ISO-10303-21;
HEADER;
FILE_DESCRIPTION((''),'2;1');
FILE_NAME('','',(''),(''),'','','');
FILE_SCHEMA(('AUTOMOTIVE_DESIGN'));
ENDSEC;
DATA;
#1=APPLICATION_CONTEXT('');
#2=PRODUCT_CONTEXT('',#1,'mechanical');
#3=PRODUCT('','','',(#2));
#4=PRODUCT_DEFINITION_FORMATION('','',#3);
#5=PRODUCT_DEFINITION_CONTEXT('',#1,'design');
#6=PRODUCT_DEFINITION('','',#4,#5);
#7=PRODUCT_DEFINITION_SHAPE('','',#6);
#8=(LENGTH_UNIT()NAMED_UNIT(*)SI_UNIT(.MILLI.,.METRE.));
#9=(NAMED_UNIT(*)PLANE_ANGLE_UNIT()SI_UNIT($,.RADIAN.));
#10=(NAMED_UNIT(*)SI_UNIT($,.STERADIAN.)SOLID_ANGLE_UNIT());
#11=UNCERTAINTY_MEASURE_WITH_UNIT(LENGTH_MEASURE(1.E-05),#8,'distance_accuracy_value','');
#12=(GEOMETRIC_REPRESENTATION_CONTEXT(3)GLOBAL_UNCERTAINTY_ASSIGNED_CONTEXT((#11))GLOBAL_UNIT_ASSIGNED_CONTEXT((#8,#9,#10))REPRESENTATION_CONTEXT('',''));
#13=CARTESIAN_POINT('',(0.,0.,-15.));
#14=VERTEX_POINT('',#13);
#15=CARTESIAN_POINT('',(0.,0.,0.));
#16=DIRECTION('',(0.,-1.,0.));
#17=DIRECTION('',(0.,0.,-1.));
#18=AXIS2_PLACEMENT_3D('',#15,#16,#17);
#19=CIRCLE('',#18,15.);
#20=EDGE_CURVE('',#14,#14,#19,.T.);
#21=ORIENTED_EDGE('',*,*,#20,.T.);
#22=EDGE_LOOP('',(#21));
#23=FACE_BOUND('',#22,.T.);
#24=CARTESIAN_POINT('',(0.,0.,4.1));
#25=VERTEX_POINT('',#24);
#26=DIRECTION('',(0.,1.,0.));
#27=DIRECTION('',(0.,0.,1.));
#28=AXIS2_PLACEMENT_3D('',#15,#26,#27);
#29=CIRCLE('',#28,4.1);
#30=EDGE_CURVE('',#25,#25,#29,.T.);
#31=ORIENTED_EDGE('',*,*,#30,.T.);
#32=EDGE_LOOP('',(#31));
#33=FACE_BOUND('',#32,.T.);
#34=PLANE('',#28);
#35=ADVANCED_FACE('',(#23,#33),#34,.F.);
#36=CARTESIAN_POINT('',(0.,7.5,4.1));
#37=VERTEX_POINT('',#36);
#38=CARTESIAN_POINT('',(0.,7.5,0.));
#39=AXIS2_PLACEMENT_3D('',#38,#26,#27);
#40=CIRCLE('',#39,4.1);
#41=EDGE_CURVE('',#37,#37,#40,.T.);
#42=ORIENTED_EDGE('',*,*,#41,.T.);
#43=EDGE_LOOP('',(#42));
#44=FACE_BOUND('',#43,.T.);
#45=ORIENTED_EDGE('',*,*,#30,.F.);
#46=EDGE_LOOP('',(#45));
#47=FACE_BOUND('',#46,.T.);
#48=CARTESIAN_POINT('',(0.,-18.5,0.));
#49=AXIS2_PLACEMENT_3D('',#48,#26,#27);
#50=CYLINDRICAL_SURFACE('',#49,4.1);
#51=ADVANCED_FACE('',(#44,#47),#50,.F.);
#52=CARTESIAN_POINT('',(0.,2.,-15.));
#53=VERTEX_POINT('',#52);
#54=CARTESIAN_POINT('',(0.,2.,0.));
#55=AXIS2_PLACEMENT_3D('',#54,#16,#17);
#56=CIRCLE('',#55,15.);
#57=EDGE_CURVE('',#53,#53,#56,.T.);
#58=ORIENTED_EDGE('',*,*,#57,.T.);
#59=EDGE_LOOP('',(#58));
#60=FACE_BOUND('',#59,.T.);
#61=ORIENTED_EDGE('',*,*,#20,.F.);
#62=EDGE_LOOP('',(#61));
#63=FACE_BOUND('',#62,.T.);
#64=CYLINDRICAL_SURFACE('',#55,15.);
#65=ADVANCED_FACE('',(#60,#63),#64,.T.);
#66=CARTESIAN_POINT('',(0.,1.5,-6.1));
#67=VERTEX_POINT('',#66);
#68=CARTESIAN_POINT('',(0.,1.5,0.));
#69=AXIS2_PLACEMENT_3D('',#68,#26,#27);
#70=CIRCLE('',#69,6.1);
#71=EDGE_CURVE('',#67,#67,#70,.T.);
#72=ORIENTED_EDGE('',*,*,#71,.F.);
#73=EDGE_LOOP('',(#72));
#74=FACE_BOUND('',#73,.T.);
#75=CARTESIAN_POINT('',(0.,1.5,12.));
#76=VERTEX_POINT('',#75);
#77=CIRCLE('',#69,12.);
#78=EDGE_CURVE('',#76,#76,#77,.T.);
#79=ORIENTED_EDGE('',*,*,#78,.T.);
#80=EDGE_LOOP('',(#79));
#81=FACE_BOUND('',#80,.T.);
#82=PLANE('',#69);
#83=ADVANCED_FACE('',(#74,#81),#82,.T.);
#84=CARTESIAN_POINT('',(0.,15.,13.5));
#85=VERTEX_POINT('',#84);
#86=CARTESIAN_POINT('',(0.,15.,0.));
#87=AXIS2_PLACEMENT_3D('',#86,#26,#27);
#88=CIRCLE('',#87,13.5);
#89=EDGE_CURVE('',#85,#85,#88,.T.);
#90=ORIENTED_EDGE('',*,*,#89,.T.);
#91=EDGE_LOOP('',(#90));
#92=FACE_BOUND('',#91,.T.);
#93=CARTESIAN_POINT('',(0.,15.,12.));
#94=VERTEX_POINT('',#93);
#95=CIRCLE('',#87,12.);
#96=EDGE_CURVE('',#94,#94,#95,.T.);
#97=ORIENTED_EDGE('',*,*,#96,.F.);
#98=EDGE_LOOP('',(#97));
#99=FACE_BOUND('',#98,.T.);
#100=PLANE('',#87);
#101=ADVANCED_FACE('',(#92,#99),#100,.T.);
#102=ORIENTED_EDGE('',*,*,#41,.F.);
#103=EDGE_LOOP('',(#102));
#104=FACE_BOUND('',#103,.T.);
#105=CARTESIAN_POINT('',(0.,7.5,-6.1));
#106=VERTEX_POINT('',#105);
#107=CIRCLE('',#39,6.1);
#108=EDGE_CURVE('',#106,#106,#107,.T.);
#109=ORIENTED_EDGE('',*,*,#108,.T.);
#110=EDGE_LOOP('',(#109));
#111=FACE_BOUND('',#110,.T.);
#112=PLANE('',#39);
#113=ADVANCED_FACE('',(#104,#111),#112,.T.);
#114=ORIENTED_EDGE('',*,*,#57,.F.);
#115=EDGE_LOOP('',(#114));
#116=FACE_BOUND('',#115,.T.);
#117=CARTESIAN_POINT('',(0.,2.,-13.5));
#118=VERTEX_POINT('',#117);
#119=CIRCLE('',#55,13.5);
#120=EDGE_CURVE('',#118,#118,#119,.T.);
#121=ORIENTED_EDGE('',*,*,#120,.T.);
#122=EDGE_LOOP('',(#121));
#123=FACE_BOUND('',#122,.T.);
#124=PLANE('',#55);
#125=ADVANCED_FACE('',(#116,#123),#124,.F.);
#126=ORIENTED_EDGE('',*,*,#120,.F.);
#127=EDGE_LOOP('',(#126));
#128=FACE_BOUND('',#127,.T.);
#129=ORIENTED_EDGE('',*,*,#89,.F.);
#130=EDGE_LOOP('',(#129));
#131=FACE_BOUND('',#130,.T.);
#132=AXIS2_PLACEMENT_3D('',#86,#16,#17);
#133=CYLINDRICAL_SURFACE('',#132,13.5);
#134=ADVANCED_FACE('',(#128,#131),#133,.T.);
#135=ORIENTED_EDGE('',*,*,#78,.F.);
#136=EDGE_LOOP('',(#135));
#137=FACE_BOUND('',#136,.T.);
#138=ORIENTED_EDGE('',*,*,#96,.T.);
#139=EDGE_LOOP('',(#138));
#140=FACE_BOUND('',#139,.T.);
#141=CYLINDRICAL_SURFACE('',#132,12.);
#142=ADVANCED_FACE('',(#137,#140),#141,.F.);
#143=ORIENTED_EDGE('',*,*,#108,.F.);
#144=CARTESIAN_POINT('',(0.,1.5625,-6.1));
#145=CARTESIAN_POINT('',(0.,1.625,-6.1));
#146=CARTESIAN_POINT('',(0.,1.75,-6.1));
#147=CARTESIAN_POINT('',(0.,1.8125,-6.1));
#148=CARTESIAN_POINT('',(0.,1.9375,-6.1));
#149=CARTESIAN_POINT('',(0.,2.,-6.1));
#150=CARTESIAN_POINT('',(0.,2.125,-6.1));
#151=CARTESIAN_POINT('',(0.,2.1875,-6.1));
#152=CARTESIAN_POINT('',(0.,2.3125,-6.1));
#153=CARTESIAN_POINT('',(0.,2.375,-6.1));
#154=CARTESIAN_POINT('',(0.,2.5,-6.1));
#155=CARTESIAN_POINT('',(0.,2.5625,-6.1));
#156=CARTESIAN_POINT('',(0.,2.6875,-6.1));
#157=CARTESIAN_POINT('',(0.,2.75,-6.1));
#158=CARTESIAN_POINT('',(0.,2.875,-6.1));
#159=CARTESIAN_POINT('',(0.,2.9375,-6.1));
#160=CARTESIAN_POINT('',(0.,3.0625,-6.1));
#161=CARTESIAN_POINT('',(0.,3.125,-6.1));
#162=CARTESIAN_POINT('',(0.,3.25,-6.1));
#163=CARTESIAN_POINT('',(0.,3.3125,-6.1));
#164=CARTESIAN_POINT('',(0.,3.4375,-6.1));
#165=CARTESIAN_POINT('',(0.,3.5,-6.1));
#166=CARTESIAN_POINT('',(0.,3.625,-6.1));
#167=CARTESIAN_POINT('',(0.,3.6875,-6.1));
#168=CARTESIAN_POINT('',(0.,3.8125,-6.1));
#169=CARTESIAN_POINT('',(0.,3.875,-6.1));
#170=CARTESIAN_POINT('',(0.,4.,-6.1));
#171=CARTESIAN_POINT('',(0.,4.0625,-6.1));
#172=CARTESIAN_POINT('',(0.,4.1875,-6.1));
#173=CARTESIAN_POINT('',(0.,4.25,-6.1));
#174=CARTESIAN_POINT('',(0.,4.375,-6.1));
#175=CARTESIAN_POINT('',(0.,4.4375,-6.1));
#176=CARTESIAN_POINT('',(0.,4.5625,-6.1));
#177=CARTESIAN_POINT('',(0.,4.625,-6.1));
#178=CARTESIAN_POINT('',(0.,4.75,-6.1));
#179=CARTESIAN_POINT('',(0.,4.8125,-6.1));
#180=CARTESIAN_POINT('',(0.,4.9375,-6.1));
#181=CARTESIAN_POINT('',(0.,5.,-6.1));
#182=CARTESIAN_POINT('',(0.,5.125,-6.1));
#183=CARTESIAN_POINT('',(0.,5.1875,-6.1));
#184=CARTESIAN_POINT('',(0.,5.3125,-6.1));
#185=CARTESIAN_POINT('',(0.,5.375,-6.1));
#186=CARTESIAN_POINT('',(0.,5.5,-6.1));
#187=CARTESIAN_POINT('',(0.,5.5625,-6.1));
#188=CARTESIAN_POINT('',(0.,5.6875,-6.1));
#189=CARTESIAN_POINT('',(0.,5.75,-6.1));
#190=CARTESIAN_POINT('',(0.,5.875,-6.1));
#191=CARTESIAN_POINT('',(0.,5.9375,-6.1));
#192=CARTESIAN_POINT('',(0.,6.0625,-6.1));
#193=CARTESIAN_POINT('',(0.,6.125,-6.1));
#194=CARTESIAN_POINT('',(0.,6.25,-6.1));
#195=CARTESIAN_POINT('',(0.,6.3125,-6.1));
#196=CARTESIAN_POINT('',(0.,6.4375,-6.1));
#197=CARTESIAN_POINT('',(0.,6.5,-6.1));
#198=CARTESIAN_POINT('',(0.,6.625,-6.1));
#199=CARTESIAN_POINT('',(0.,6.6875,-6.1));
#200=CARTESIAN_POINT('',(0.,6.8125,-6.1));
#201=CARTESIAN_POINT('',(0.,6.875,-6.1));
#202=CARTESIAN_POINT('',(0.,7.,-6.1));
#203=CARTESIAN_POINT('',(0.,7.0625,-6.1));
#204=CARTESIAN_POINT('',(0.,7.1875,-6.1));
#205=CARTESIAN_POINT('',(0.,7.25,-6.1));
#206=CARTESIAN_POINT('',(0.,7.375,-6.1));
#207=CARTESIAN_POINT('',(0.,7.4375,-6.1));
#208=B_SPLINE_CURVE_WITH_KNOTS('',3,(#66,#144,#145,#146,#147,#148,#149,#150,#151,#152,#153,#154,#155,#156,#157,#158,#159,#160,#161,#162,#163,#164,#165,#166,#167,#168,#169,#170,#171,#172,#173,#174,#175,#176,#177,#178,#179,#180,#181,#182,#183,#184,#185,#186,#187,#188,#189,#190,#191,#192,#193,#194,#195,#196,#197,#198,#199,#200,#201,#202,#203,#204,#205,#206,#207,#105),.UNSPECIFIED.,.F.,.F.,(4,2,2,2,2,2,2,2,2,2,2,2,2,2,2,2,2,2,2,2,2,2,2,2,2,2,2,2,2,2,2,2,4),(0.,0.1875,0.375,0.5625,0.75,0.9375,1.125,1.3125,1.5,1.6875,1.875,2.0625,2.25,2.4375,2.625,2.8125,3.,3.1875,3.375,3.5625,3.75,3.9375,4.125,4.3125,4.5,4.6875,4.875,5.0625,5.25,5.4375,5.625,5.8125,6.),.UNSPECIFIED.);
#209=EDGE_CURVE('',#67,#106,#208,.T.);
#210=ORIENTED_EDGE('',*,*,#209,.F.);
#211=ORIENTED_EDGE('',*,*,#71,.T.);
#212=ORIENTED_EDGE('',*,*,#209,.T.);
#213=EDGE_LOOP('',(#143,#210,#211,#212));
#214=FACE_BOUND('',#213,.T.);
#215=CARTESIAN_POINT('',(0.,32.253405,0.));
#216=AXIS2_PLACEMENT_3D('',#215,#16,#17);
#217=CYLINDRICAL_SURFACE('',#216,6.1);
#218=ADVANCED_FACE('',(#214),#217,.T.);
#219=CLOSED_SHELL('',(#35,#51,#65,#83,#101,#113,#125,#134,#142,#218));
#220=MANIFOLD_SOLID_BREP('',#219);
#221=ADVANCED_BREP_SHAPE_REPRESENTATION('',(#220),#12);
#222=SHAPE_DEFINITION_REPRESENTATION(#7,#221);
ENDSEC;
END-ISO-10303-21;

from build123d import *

# Parameters (mm, degrees)
SKETCH1_R           = 13.5
BOSS_EXTRUDE1_DEPTH = 15
SHELL1_T            = -1.5
SKETCH2_R           = 4.1
CUT_EXTRUDE1_DEPTH  = 20
BOSS_EXTRUDE2_START = 6
SKETCH3_R           = 6.1
SKETCH3_R_2         = 4.1
BOSS_EXTRUDE2_DEPTH = 6
SKETCH4_R           = 15
SKETCH4_R_2         = 12.5
BOSS_EXTRUDE3_DEPTH = 2


with BuildPart() as part:
    # Sketch1 → Boss-Extrude1 (new body)
    with BuildSketch(Plane(origin=(0, 0, 0), x_dir=(1, 0, 0), z_dir=(0, 1, 0))):
        with Locations(Location((0, 0, 0), (0, 0, 270))):
            Circle(SKETCH1_R)
    extrude(amount=BOSS_EXTRUDE1_DEPTH)

    # Shell1
    shell1_openings = [part.faces().sort_by_distance(p)[0] for p in [
        (0, 15, 0),
    ]]
    offset(amount=SHELL1_T, openings=shell1_openings, kind=Kind.INTERSECTION)

    # Sketch2 → Cut-Extrude1 (cut)
    with BuildSketch(Plane(origin=(0, 1.5, 0), x_dir=(1, 0, 0), z_dir=(0, 1, 0))):
        with Locations(Location((0, 0, 0), (0, 0, 270))):
            Circle(SKETCH2_R)
    extrude(amount=-CUT_EXTRUDE1_DEPTH, mode=Mode.SUBTRACT)

    # Sketch3 → Boss-Extrude2 (add)
    with BuildSketch(Plane(origin=(0, 1.5, 0), x_dir=(1, 0, 0), z_dir=(0, 1, 0)).offset(BOSS_EXTRUDE2_START)):
        with Locations(Location((0, 0, 0), (0, 0, 90))):
            Circle(SKETCH3_R)
        with Locations(Location((0, 0, 0), (0, 0, 270))):
            Circle(SKETCH3_R_2, mode=Mode.SUBTRACT)
    extrude(amount=-BOSS_EXTRUDE2_DEPTH)


with BuildPart() as body_2:
    # Sketch4 → Boss-Extrude3 (new body)
    with BuildSketch(Plane.XZ):
        with Locations(Location((0, 0, 0), (0, 0, 270))):
            Circle(SKETCH4_R)
        with Locations(Location((0, 0, 0), (0, 0, 270))):
            Circle(SKETCH4_R_2, mode=Mode.SUBTRACT)
    extrude(amount=-BOSS_EXTRUDE3_DEPTH)


with BuildPart() as part_1:
    add(part.part)

    # Combine1: union body 2
    add(body_2.part)


solid = part_1.part
